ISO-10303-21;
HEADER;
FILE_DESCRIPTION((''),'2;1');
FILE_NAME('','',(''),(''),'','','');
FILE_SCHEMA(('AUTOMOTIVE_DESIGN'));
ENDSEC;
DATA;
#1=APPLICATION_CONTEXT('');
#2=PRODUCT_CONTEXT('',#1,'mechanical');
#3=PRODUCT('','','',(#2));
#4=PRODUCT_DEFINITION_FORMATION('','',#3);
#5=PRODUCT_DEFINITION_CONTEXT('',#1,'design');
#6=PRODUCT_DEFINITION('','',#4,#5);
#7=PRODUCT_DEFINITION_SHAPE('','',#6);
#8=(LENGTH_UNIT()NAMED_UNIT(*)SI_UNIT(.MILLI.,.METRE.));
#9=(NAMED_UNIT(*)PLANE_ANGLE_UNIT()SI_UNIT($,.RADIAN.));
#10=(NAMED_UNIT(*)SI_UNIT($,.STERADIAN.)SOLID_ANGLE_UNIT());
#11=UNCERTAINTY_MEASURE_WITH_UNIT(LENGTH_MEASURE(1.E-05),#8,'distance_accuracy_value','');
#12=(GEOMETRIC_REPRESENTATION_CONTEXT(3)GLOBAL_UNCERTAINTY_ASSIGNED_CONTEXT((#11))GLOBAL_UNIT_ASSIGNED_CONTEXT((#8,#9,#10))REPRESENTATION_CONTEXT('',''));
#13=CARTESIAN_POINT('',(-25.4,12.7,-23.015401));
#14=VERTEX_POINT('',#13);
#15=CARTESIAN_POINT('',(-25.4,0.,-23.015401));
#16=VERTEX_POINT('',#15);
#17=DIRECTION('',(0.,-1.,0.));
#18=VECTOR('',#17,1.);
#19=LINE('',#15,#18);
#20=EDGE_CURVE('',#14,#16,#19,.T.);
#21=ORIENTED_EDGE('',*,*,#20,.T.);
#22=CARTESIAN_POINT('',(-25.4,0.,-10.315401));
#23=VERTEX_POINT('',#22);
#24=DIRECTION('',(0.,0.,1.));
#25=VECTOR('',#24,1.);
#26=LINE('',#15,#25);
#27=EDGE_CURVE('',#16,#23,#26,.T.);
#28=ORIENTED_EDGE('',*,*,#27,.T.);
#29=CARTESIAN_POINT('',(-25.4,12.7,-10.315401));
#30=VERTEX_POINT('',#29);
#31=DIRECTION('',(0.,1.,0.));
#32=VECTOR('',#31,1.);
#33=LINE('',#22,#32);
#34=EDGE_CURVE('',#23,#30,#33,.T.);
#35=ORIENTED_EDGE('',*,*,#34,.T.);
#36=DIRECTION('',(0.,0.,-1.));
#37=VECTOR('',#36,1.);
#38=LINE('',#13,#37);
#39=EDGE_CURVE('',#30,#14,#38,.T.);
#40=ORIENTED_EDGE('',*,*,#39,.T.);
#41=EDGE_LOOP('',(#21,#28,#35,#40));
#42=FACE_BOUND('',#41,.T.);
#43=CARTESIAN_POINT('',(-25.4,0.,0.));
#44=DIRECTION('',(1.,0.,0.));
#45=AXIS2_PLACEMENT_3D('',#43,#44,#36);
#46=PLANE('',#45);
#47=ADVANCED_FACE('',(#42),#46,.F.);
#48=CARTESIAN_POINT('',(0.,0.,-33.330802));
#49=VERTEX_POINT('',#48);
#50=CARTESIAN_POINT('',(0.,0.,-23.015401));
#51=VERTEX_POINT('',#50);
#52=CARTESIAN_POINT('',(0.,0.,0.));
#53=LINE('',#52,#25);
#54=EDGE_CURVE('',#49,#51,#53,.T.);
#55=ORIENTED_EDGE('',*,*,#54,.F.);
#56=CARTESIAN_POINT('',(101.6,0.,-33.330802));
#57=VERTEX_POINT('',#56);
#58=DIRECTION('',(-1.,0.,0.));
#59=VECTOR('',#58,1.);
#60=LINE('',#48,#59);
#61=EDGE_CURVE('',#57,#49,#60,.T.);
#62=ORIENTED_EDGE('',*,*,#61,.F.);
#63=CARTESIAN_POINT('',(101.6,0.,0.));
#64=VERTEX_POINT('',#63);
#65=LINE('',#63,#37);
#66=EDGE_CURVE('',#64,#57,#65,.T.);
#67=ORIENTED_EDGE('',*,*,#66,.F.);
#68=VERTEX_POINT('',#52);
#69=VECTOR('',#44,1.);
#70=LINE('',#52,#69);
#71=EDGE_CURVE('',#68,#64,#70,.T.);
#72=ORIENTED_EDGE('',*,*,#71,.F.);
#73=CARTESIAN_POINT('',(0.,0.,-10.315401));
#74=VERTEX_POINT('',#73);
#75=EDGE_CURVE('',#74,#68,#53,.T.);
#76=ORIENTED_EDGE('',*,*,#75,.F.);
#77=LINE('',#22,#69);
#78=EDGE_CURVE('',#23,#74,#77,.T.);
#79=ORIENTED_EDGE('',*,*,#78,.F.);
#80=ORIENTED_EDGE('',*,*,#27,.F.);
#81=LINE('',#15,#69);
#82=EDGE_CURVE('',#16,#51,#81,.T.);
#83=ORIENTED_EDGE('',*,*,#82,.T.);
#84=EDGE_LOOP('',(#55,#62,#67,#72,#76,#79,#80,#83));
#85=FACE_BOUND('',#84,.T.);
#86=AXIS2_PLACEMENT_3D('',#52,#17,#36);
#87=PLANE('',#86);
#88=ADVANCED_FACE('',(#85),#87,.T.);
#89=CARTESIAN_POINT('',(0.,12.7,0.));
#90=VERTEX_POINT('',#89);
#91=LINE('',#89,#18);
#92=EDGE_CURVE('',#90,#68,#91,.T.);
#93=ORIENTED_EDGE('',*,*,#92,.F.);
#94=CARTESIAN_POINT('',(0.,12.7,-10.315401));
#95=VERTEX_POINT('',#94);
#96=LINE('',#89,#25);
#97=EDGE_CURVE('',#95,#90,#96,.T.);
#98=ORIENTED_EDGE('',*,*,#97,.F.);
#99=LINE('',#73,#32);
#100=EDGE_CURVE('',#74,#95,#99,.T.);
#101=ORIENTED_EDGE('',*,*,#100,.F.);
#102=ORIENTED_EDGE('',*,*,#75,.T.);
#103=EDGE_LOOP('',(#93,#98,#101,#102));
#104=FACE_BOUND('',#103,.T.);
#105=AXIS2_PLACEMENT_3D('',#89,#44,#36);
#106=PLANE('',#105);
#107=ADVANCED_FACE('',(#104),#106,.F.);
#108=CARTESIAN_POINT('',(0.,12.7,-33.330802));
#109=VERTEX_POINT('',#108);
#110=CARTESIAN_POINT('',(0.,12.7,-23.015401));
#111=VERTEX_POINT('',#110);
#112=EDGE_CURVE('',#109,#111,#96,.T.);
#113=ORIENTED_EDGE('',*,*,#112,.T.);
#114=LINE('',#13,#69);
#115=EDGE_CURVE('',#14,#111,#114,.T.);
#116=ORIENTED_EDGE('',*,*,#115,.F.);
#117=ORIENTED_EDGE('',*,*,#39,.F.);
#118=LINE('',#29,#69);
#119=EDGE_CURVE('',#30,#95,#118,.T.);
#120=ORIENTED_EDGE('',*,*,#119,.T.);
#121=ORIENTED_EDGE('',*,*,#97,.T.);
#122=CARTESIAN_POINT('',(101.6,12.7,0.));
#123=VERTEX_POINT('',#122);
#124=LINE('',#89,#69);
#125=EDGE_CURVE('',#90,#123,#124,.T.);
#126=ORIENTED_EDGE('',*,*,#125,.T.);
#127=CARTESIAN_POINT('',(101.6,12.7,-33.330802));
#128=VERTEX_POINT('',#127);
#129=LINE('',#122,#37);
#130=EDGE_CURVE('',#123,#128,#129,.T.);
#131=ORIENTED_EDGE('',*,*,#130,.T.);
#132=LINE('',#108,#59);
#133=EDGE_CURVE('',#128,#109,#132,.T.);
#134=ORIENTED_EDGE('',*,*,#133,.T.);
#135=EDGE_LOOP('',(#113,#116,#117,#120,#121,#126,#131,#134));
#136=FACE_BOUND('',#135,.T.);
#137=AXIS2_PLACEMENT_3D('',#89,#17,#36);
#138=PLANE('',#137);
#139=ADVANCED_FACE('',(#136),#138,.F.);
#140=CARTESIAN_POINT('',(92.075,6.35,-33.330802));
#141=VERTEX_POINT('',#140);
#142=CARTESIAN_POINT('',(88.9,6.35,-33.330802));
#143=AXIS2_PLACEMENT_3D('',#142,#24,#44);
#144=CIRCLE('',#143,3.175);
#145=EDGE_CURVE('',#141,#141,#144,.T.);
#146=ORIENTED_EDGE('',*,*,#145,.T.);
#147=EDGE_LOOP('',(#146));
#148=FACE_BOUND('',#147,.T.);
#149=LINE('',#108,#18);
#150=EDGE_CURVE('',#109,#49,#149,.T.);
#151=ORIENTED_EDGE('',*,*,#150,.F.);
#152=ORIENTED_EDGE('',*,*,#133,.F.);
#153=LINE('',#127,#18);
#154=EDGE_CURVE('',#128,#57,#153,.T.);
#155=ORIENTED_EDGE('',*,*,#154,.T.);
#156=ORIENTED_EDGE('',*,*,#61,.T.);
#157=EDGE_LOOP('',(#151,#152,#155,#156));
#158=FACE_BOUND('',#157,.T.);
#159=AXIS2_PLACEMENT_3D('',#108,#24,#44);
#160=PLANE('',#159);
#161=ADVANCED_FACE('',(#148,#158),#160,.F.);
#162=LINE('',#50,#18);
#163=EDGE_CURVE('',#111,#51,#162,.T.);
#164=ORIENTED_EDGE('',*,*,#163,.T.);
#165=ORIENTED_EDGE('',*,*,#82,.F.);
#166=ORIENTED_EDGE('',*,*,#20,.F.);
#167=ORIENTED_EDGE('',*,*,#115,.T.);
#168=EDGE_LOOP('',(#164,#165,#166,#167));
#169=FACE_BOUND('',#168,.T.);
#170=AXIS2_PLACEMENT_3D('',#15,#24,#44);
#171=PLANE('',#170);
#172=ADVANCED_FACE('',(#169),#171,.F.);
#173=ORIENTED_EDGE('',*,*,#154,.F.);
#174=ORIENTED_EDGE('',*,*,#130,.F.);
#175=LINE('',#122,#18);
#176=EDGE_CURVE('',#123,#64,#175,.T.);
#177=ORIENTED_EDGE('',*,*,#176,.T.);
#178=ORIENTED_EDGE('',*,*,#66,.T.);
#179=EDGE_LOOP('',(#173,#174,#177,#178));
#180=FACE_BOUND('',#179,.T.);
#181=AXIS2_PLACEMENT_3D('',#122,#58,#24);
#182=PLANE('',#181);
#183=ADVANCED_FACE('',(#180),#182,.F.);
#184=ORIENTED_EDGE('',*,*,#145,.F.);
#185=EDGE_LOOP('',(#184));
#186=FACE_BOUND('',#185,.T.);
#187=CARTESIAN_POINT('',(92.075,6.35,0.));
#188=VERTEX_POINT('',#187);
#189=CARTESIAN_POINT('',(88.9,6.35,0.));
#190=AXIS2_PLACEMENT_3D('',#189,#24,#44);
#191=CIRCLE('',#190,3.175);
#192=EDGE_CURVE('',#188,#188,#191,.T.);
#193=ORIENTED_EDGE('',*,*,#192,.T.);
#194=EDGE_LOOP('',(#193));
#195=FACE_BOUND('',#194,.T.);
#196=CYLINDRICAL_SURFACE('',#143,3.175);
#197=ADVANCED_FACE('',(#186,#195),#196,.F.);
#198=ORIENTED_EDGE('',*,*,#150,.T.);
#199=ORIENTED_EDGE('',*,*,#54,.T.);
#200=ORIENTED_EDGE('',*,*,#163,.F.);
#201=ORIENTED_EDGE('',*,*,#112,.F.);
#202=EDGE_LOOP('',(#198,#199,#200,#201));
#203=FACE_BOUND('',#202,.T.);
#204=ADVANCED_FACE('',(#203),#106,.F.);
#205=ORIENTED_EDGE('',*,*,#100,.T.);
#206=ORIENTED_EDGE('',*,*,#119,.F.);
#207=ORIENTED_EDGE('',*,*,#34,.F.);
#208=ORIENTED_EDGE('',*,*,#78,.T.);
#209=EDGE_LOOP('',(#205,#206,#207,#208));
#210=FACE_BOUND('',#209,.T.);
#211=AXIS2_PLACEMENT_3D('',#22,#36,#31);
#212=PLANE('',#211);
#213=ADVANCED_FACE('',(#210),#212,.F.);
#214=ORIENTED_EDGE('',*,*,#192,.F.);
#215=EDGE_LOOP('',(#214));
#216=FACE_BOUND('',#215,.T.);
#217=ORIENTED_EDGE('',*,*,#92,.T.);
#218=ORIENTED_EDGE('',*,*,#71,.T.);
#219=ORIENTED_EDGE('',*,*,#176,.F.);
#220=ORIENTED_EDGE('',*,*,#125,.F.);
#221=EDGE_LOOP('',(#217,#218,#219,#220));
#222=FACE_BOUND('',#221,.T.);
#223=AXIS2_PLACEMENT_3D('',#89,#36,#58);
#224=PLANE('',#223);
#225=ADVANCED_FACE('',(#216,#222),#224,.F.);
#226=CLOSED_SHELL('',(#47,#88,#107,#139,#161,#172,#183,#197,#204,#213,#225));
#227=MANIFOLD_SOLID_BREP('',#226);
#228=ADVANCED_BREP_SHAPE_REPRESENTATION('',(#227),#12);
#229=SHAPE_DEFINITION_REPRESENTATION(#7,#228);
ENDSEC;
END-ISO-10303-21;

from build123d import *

# Parameters (mm, degrees)
SKETCH1_W           = 101.6
SKETCH1_H           = 33.330801688
BOSS_EXTRUDE1_DEPTH = 12.7
SKETCH2_W           = 12.7
SKETCH2_H           = 12.7
BOSS_EXTRUDE2_DEPTH = 25.4
SKETCH4_R           = 3.175
CUT_EXTRUDE2_DEPTH  = 108.679117479


with BuildPart() as part:
    # Sketch1 → Boss-Extrude1 (new body)
    with BuildSketch(Plane(origin=(0, 0, 0), x_dir=(1, 0, 0), z_dir=(0, 1, 0))):
        with Locations((50.8, 16.665400844)):
            Rectangle(SKETCH1_W, SKETCH1_H)
    extrude(amount=BOSS_EXTRUDE1_DEPTH)

    # Sketch2 → Boss-Extrude2 (add)
    with BuildSketch(Plane.ZY):
        with Locations((-16.665400844, 6.35)):
            Rectangle(SKETCH2_W, SKETCH2_H)
    extrude(amount=BOSS_EXTRUDE2_DEPTH)

    # Sketch4 → Cut-Extrude2 (cut, through all)
    with BuildSketch(Plane.XY):
        with Locations((88.9, 6.35)):
            Circle(SKETCH4_R)
    extrude(amount=-CUT_EXTRUDE2_DEPTH, mode=Mode.SUBTRACT)


solid = part.part
